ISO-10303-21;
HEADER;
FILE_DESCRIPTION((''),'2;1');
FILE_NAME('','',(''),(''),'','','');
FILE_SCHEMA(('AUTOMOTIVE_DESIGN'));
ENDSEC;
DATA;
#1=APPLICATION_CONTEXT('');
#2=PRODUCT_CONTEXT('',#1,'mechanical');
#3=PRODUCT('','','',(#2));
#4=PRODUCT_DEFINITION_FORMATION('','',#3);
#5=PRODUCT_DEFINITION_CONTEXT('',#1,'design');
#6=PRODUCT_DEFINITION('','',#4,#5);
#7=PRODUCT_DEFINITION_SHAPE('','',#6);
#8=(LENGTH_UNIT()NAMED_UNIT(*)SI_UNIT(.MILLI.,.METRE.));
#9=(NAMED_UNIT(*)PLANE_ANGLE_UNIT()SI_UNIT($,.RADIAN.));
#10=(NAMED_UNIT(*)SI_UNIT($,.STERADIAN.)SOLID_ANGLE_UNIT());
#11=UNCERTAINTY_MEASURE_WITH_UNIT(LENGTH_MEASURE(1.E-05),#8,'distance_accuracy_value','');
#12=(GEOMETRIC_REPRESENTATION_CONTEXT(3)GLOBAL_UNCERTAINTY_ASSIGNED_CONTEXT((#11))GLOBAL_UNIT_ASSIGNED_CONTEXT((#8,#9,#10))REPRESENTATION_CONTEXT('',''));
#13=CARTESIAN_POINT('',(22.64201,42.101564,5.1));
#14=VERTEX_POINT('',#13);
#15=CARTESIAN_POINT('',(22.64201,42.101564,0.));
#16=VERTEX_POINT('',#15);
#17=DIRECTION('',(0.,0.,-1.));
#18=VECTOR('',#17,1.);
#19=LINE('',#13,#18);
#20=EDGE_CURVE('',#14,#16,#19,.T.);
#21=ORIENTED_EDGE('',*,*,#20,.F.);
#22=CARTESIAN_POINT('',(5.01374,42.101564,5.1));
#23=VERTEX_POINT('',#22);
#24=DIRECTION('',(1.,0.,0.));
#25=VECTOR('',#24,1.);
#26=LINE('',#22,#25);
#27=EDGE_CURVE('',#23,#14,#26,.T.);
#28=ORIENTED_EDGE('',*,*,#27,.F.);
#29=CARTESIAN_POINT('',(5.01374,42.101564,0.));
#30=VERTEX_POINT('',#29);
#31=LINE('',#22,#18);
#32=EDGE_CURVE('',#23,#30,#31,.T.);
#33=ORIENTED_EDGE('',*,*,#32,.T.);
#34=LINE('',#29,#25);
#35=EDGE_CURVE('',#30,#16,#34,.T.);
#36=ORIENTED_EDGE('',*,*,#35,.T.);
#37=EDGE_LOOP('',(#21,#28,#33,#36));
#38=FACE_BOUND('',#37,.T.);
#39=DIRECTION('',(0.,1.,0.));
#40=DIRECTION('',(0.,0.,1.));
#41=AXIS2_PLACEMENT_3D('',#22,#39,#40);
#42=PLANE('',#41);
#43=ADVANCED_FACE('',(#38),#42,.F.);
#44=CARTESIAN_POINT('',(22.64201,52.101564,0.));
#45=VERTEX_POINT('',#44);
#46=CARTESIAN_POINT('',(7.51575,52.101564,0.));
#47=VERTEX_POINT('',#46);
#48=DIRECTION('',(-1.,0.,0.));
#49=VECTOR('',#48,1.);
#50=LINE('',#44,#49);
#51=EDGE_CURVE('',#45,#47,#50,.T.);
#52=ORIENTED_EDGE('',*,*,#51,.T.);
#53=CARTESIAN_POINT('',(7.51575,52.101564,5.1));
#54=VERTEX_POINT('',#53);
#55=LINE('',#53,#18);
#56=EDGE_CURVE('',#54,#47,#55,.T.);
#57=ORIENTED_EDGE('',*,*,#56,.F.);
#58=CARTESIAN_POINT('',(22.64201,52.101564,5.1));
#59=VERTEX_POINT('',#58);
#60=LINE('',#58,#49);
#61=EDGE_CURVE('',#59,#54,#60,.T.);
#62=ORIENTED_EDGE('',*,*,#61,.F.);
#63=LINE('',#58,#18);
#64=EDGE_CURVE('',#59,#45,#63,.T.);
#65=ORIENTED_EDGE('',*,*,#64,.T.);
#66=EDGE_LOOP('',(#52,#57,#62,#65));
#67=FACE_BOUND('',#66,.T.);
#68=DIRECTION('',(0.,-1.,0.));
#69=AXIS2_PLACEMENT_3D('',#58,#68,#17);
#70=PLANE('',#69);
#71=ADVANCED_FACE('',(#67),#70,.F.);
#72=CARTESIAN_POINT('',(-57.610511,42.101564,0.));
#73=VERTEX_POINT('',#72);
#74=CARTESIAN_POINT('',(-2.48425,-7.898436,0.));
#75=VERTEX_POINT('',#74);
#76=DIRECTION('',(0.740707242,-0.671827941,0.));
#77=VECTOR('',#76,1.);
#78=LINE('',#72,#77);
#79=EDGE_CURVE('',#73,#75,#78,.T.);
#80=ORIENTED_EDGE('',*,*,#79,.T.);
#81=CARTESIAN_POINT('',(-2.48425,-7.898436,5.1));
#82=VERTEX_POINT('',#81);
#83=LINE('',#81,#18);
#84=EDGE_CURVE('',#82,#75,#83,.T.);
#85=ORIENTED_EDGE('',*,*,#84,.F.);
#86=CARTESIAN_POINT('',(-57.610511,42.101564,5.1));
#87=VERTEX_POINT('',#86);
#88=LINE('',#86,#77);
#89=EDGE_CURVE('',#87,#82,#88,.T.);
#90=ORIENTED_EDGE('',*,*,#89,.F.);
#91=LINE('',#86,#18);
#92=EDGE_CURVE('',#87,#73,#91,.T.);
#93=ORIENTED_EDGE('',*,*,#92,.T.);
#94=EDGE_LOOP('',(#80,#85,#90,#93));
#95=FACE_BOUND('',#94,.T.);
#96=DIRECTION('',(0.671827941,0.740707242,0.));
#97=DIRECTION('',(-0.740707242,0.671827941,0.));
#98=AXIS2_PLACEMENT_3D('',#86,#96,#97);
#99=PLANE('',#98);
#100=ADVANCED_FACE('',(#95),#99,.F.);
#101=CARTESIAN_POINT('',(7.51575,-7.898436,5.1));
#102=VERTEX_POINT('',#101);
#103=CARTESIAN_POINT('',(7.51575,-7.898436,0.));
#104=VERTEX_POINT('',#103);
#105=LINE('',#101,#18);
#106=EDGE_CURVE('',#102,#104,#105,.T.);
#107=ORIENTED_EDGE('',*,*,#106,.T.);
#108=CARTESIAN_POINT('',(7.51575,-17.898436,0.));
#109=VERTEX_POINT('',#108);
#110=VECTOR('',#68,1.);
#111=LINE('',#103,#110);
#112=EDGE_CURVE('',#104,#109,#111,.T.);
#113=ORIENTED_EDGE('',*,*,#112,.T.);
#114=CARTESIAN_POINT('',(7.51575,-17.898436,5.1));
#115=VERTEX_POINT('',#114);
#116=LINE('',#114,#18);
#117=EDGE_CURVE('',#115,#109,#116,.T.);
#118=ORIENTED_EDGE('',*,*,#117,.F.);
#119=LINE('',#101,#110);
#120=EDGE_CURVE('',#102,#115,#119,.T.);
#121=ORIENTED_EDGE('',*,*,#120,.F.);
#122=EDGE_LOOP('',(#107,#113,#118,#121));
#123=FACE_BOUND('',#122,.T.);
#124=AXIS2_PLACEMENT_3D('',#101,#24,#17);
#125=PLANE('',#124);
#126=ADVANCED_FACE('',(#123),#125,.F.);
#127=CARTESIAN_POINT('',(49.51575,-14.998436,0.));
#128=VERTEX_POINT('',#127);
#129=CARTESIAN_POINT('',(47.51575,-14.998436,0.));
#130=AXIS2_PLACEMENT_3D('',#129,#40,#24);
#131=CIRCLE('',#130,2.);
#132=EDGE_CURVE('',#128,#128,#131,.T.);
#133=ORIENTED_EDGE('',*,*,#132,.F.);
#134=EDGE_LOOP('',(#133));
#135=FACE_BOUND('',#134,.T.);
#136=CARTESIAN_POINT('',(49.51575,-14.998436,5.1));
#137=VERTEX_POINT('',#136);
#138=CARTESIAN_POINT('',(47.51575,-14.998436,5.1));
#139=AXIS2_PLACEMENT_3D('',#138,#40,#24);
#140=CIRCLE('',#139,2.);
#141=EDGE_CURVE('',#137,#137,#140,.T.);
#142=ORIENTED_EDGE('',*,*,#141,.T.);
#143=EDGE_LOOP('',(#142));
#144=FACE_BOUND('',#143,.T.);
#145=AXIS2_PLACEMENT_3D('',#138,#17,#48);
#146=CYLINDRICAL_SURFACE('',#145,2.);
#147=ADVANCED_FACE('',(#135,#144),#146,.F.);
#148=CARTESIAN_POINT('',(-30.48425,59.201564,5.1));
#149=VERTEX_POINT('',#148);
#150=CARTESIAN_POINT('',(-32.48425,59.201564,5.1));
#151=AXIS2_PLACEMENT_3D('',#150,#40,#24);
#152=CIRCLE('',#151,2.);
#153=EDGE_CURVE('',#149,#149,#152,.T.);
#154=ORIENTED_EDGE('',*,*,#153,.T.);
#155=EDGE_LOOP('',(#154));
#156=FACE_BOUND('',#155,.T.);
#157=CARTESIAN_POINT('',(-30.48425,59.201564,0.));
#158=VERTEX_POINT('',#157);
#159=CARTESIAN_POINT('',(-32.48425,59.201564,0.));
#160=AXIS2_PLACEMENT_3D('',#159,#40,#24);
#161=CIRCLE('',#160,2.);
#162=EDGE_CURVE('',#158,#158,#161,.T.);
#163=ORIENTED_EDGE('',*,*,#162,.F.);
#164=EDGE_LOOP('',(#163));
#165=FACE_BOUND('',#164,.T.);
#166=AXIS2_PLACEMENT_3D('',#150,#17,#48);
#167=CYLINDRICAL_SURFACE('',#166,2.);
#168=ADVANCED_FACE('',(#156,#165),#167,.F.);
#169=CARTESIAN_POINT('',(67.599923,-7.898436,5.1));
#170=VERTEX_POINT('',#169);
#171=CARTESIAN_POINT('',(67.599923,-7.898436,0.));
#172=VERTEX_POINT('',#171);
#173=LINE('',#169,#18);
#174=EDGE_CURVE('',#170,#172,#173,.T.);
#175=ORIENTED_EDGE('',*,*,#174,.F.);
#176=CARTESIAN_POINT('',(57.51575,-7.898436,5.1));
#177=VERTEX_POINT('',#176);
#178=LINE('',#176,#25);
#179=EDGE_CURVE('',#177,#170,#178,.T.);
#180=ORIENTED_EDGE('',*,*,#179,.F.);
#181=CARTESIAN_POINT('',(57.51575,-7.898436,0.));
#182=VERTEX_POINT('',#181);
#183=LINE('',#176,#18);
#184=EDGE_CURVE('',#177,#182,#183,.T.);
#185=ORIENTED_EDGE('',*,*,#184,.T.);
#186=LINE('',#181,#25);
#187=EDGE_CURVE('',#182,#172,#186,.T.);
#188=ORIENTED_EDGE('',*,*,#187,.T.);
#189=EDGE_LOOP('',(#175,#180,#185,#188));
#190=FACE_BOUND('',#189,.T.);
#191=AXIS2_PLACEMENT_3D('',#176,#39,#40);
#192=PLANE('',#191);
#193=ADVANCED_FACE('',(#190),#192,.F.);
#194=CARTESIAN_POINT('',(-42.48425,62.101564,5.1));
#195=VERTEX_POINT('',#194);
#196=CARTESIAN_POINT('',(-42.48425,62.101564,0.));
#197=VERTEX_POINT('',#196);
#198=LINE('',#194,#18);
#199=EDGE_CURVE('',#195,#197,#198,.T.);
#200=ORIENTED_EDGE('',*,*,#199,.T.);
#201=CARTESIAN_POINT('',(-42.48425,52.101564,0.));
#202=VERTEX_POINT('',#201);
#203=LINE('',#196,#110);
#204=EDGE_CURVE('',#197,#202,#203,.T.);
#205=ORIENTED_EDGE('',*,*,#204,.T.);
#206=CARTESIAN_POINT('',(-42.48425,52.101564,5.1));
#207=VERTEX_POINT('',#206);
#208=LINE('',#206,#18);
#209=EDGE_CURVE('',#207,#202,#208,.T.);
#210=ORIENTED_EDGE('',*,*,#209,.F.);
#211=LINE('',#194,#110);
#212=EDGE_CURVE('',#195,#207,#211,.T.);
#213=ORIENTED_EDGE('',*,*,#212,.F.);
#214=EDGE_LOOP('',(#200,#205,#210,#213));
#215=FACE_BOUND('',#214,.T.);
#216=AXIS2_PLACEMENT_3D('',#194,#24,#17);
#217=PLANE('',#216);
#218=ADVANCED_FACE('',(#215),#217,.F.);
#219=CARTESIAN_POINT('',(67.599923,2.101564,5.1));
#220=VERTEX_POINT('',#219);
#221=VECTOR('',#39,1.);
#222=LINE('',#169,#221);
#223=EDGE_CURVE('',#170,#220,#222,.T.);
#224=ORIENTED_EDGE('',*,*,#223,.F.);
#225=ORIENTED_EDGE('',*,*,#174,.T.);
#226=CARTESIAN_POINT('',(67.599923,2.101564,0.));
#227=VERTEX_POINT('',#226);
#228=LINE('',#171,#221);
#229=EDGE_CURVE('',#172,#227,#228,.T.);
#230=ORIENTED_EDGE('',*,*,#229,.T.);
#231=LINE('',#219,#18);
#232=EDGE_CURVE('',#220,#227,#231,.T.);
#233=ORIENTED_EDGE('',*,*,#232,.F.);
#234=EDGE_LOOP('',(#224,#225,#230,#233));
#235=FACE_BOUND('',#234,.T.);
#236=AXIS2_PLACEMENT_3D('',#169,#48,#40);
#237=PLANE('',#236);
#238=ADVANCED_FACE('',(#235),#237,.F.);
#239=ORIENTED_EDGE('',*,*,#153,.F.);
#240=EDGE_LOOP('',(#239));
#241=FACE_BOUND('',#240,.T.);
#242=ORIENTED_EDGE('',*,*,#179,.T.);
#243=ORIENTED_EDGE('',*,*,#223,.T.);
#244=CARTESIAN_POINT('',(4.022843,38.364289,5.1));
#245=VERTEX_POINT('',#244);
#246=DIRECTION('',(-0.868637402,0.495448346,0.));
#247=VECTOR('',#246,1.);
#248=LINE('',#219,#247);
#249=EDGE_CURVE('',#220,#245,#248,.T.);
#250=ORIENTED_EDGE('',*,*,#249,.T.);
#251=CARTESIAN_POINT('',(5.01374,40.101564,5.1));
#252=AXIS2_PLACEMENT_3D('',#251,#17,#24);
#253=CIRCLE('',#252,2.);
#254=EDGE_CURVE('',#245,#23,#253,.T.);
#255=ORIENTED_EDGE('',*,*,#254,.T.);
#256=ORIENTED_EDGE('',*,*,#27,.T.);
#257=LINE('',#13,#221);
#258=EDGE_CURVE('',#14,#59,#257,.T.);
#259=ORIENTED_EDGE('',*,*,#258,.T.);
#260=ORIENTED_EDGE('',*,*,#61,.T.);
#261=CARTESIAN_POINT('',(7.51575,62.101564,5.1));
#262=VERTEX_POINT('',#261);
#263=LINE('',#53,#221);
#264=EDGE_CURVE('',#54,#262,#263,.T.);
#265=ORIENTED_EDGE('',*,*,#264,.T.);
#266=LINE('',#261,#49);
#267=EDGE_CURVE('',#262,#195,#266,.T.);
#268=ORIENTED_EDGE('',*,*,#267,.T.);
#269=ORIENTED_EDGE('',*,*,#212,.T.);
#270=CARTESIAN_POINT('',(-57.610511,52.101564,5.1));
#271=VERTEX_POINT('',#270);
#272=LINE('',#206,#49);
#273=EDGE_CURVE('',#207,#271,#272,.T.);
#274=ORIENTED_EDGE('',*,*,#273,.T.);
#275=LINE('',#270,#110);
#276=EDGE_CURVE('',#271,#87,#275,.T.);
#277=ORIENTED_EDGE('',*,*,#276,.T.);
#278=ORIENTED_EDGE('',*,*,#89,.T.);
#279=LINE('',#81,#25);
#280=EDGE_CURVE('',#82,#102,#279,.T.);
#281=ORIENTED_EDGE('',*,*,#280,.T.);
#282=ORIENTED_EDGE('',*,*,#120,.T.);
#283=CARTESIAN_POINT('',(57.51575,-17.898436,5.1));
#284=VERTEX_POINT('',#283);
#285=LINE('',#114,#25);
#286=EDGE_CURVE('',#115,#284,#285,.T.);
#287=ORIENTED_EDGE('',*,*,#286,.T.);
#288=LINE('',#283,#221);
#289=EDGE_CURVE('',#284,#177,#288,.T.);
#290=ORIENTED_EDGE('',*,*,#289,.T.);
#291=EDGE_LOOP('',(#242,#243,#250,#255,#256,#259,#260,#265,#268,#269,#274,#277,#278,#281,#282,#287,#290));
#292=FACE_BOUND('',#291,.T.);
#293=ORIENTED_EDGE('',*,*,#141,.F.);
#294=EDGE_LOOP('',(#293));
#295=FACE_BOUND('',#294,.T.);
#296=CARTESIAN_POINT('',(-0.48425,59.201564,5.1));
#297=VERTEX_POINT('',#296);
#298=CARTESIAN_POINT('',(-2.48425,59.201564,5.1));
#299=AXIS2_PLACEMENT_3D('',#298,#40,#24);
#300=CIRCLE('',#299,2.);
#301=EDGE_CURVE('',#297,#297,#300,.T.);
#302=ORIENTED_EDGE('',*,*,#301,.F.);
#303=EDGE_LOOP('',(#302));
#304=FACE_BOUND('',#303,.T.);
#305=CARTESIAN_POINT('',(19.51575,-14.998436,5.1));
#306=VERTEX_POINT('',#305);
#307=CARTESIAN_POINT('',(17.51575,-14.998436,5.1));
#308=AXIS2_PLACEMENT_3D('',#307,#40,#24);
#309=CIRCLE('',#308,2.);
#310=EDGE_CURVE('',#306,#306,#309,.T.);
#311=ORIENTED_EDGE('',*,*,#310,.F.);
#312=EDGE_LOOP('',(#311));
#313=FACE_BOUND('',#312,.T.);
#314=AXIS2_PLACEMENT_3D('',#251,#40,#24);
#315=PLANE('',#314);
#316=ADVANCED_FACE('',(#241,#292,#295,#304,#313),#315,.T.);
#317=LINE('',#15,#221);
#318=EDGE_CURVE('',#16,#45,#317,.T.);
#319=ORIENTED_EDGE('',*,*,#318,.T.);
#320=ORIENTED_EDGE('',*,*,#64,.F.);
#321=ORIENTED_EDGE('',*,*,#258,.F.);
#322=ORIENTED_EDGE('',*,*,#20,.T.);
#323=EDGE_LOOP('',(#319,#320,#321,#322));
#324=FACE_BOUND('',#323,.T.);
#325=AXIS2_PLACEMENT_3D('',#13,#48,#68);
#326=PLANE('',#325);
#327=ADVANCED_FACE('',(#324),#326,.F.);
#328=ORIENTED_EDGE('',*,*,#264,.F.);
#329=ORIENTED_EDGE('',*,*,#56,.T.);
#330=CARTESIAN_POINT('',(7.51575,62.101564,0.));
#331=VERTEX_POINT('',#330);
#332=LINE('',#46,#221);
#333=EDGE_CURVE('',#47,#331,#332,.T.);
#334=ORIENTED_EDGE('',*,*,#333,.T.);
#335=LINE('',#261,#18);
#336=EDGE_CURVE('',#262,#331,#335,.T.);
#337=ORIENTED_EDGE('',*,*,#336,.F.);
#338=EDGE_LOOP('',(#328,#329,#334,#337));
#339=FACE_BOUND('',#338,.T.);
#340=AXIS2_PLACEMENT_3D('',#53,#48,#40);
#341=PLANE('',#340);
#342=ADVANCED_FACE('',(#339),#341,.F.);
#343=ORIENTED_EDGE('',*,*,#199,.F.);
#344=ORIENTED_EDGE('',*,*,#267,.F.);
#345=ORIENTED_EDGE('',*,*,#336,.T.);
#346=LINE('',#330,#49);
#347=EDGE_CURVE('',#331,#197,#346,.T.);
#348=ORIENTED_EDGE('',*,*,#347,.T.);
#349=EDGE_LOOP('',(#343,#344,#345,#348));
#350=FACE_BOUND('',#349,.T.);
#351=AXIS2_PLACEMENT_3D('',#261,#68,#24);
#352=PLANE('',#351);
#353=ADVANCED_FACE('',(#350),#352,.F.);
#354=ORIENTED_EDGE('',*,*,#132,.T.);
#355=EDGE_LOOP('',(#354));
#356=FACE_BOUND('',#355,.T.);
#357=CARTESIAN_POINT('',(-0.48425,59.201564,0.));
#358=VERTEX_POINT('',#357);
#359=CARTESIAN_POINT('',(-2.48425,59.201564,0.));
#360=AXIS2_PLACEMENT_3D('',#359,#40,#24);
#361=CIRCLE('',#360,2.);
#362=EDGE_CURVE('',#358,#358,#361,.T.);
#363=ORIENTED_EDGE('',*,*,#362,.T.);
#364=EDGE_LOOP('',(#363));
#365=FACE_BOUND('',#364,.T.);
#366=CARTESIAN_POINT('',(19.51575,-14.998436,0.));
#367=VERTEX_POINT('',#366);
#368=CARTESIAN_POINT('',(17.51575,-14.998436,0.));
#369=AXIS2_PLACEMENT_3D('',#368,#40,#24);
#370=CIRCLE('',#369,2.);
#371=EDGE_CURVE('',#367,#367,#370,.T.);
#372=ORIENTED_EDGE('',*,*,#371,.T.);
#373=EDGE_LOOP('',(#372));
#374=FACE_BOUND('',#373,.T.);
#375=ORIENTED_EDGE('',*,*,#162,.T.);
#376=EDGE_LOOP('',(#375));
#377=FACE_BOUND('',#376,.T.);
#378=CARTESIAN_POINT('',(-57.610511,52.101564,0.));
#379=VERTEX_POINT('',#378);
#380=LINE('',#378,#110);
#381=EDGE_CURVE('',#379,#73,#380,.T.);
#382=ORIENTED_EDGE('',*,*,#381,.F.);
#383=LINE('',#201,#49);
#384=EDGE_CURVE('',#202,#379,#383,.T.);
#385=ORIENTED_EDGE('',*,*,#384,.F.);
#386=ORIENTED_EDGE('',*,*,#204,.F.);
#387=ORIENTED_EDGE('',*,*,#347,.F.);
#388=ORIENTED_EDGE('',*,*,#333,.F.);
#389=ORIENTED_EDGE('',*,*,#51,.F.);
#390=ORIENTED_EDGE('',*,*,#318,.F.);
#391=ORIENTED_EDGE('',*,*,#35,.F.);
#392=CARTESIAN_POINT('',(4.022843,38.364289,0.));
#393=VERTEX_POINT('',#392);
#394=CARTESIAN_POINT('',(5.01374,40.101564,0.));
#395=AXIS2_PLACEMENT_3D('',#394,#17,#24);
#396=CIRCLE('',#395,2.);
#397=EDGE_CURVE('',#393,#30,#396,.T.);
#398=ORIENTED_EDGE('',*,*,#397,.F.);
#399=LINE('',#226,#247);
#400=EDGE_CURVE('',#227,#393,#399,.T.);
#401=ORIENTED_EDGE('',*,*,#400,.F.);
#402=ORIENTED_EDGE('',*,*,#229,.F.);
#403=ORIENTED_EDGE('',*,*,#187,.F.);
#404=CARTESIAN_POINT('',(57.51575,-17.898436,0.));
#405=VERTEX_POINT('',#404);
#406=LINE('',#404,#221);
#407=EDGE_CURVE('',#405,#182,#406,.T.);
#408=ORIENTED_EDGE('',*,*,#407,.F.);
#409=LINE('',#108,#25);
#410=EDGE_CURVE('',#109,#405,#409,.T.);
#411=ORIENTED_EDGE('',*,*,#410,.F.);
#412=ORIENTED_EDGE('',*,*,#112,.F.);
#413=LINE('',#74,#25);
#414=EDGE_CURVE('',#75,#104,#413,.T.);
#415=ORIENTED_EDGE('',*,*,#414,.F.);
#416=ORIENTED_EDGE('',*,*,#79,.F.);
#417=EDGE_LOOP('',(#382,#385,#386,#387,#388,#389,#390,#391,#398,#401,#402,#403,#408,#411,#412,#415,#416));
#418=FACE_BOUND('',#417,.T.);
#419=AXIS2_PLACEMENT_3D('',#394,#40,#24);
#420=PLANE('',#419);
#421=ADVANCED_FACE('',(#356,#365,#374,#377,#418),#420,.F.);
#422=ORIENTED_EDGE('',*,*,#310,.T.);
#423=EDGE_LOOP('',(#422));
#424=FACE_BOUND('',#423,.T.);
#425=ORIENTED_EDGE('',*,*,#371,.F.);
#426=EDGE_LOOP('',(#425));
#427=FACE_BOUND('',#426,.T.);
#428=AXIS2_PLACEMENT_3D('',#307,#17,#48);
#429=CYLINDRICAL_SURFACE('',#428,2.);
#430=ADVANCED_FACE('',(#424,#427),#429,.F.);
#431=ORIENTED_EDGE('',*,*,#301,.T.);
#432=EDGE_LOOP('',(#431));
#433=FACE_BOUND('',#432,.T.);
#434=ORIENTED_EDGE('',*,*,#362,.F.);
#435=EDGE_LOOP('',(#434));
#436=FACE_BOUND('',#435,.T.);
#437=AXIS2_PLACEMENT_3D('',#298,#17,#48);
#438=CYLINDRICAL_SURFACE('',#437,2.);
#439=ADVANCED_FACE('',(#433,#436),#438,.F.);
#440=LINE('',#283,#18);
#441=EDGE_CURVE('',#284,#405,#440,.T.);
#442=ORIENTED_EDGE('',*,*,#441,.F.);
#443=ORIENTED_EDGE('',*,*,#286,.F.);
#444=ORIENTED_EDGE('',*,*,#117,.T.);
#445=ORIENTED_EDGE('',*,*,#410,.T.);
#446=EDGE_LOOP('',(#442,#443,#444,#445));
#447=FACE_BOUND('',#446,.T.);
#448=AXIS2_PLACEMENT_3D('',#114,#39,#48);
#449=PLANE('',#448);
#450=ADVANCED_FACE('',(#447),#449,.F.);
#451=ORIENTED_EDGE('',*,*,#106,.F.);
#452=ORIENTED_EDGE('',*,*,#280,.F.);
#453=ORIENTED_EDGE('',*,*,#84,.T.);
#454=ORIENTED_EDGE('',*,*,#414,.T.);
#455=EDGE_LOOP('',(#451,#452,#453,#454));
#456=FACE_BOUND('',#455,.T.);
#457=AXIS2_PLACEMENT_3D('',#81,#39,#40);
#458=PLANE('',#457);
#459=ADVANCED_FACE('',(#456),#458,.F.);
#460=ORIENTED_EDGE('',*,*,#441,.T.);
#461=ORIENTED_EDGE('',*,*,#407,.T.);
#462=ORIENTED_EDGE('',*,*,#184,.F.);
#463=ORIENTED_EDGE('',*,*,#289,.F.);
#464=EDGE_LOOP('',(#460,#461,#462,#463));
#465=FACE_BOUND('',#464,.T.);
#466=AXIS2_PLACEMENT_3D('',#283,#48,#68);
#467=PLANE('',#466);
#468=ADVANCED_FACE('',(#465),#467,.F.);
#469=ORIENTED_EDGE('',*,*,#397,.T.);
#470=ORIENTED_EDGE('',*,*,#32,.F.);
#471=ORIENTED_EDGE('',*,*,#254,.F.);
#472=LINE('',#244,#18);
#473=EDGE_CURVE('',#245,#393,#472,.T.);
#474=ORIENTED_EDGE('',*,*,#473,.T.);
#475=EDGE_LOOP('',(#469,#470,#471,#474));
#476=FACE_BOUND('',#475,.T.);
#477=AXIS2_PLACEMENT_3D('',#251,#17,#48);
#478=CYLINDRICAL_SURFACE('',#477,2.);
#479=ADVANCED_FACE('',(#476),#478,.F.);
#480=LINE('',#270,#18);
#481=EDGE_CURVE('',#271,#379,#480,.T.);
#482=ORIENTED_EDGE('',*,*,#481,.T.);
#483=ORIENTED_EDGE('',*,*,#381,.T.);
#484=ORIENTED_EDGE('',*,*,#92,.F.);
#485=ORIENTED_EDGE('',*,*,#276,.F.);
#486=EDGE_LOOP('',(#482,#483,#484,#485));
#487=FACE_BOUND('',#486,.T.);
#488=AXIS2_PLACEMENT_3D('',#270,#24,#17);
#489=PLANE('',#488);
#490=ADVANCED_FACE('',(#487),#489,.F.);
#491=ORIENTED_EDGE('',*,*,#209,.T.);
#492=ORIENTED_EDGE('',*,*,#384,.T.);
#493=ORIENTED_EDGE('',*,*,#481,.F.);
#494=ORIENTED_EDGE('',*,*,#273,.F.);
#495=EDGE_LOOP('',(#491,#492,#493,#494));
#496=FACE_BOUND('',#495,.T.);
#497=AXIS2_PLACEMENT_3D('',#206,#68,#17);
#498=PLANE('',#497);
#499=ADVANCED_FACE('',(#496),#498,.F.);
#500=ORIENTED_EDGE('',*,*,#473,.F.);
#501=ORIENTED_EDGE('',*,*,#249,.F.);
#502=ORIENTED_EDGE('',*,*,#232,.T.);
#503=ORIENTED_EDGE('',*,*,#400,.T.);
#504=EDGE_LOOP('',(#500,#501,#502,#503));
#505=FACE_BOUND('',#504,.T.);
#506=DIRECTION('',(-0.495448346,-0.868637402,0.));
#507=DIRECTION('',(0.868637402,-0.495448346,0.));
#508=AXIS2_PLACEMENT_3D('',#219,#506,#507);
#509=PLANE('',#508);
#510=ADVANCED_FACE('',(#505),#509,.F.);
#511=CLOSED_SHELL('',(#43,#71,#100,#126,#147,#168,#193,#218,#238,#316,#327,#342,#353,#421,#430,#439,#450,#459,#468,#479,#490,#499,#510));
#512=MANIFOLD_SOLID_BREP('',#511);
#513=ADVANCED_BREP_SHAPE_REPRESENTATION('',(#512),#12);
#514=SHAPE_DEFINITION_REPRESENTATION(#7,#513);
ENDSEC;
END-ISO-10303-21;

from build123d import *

# Parameters (mm, degrees)
SKETCH1_R           = 2
BOSS_EXTRUDE1_DEPTH = 5.1


with BuildPart() as part:
    # Sketch1 → Boss-Extrude1 (new body)
    with BuildSketch(Plane.XY):
        with BuildLine():
            Line((-42.484250182, 62.101563959), (-42.484250182, 52.101563959))
            Line((-42.484250182, 52.101563959), (-57.610510686, 52.101563959))
            Line((-57.610510686, 52.101563959), (-57.610510686, 42.101563959))
            Line((-57.610510686, 42.101563959), (-2.484250182, -7.898436041))
            Line((-2.484250182, -7.898436041), (7.515749818, -7.898436041))
            Line((7.515749818, -7.898436041), (7.515749818, -17.898436041))
            Line((7.515749818, -17.898436041), (57.515749818, -17.898436041))
            Line((57.515749818, -17.898436041), (57.515749818, -7.898436041))
            Line((57.515749818, -7.898436041), (67.599923488, -7.898436041))
            Line((67.599923488, -7.898436041), (67.599923488, 2.101563959))
            Line((67.599923488, 2.101563959), (4.022842983, 38.364289155))
            ThreePointArc((4.022842983, 38.364289155), (3.080536426, 40.614131219), (5.013739676, 42.101563959))
            Line((5.013739676, 42.101563959), (22.642010323, 42.101563959))
            Line((22.642010323, 42.101563959), (22.642010323, 52.101563959))
            Line((22.642010323, 52.101563959), (7.515749818, 52.101563959))
            Line((7.515749818, 52.101563959), (7.515749818, 62.101563959))
            Line((7.515749818, 62.101563959), (-42.484250182, 62.101563959))
        make_face()
        with Locations((-32.484250182, 59.201563959)):
            Circle(SKETCH1_R, mode=Mode.SUBTRACT)
        with Locations((-2.484250182, 59.201563959)):
            Circle(SKETCH1_R, mode=Mode.SUBTRACT)
        with Locations((17.515749818, -14.998436041)):
            Circle(SKETCH1_R, mode=Mode.SUBTRACT)
        with Locations((47.515749818, -14.998436041)):
            Circle(SKETCH1_R, mode=Mode.SUBTRACT)
    extrude(amount=BOSS_EXTRUDE1_DEPTH)


solid = part.part
